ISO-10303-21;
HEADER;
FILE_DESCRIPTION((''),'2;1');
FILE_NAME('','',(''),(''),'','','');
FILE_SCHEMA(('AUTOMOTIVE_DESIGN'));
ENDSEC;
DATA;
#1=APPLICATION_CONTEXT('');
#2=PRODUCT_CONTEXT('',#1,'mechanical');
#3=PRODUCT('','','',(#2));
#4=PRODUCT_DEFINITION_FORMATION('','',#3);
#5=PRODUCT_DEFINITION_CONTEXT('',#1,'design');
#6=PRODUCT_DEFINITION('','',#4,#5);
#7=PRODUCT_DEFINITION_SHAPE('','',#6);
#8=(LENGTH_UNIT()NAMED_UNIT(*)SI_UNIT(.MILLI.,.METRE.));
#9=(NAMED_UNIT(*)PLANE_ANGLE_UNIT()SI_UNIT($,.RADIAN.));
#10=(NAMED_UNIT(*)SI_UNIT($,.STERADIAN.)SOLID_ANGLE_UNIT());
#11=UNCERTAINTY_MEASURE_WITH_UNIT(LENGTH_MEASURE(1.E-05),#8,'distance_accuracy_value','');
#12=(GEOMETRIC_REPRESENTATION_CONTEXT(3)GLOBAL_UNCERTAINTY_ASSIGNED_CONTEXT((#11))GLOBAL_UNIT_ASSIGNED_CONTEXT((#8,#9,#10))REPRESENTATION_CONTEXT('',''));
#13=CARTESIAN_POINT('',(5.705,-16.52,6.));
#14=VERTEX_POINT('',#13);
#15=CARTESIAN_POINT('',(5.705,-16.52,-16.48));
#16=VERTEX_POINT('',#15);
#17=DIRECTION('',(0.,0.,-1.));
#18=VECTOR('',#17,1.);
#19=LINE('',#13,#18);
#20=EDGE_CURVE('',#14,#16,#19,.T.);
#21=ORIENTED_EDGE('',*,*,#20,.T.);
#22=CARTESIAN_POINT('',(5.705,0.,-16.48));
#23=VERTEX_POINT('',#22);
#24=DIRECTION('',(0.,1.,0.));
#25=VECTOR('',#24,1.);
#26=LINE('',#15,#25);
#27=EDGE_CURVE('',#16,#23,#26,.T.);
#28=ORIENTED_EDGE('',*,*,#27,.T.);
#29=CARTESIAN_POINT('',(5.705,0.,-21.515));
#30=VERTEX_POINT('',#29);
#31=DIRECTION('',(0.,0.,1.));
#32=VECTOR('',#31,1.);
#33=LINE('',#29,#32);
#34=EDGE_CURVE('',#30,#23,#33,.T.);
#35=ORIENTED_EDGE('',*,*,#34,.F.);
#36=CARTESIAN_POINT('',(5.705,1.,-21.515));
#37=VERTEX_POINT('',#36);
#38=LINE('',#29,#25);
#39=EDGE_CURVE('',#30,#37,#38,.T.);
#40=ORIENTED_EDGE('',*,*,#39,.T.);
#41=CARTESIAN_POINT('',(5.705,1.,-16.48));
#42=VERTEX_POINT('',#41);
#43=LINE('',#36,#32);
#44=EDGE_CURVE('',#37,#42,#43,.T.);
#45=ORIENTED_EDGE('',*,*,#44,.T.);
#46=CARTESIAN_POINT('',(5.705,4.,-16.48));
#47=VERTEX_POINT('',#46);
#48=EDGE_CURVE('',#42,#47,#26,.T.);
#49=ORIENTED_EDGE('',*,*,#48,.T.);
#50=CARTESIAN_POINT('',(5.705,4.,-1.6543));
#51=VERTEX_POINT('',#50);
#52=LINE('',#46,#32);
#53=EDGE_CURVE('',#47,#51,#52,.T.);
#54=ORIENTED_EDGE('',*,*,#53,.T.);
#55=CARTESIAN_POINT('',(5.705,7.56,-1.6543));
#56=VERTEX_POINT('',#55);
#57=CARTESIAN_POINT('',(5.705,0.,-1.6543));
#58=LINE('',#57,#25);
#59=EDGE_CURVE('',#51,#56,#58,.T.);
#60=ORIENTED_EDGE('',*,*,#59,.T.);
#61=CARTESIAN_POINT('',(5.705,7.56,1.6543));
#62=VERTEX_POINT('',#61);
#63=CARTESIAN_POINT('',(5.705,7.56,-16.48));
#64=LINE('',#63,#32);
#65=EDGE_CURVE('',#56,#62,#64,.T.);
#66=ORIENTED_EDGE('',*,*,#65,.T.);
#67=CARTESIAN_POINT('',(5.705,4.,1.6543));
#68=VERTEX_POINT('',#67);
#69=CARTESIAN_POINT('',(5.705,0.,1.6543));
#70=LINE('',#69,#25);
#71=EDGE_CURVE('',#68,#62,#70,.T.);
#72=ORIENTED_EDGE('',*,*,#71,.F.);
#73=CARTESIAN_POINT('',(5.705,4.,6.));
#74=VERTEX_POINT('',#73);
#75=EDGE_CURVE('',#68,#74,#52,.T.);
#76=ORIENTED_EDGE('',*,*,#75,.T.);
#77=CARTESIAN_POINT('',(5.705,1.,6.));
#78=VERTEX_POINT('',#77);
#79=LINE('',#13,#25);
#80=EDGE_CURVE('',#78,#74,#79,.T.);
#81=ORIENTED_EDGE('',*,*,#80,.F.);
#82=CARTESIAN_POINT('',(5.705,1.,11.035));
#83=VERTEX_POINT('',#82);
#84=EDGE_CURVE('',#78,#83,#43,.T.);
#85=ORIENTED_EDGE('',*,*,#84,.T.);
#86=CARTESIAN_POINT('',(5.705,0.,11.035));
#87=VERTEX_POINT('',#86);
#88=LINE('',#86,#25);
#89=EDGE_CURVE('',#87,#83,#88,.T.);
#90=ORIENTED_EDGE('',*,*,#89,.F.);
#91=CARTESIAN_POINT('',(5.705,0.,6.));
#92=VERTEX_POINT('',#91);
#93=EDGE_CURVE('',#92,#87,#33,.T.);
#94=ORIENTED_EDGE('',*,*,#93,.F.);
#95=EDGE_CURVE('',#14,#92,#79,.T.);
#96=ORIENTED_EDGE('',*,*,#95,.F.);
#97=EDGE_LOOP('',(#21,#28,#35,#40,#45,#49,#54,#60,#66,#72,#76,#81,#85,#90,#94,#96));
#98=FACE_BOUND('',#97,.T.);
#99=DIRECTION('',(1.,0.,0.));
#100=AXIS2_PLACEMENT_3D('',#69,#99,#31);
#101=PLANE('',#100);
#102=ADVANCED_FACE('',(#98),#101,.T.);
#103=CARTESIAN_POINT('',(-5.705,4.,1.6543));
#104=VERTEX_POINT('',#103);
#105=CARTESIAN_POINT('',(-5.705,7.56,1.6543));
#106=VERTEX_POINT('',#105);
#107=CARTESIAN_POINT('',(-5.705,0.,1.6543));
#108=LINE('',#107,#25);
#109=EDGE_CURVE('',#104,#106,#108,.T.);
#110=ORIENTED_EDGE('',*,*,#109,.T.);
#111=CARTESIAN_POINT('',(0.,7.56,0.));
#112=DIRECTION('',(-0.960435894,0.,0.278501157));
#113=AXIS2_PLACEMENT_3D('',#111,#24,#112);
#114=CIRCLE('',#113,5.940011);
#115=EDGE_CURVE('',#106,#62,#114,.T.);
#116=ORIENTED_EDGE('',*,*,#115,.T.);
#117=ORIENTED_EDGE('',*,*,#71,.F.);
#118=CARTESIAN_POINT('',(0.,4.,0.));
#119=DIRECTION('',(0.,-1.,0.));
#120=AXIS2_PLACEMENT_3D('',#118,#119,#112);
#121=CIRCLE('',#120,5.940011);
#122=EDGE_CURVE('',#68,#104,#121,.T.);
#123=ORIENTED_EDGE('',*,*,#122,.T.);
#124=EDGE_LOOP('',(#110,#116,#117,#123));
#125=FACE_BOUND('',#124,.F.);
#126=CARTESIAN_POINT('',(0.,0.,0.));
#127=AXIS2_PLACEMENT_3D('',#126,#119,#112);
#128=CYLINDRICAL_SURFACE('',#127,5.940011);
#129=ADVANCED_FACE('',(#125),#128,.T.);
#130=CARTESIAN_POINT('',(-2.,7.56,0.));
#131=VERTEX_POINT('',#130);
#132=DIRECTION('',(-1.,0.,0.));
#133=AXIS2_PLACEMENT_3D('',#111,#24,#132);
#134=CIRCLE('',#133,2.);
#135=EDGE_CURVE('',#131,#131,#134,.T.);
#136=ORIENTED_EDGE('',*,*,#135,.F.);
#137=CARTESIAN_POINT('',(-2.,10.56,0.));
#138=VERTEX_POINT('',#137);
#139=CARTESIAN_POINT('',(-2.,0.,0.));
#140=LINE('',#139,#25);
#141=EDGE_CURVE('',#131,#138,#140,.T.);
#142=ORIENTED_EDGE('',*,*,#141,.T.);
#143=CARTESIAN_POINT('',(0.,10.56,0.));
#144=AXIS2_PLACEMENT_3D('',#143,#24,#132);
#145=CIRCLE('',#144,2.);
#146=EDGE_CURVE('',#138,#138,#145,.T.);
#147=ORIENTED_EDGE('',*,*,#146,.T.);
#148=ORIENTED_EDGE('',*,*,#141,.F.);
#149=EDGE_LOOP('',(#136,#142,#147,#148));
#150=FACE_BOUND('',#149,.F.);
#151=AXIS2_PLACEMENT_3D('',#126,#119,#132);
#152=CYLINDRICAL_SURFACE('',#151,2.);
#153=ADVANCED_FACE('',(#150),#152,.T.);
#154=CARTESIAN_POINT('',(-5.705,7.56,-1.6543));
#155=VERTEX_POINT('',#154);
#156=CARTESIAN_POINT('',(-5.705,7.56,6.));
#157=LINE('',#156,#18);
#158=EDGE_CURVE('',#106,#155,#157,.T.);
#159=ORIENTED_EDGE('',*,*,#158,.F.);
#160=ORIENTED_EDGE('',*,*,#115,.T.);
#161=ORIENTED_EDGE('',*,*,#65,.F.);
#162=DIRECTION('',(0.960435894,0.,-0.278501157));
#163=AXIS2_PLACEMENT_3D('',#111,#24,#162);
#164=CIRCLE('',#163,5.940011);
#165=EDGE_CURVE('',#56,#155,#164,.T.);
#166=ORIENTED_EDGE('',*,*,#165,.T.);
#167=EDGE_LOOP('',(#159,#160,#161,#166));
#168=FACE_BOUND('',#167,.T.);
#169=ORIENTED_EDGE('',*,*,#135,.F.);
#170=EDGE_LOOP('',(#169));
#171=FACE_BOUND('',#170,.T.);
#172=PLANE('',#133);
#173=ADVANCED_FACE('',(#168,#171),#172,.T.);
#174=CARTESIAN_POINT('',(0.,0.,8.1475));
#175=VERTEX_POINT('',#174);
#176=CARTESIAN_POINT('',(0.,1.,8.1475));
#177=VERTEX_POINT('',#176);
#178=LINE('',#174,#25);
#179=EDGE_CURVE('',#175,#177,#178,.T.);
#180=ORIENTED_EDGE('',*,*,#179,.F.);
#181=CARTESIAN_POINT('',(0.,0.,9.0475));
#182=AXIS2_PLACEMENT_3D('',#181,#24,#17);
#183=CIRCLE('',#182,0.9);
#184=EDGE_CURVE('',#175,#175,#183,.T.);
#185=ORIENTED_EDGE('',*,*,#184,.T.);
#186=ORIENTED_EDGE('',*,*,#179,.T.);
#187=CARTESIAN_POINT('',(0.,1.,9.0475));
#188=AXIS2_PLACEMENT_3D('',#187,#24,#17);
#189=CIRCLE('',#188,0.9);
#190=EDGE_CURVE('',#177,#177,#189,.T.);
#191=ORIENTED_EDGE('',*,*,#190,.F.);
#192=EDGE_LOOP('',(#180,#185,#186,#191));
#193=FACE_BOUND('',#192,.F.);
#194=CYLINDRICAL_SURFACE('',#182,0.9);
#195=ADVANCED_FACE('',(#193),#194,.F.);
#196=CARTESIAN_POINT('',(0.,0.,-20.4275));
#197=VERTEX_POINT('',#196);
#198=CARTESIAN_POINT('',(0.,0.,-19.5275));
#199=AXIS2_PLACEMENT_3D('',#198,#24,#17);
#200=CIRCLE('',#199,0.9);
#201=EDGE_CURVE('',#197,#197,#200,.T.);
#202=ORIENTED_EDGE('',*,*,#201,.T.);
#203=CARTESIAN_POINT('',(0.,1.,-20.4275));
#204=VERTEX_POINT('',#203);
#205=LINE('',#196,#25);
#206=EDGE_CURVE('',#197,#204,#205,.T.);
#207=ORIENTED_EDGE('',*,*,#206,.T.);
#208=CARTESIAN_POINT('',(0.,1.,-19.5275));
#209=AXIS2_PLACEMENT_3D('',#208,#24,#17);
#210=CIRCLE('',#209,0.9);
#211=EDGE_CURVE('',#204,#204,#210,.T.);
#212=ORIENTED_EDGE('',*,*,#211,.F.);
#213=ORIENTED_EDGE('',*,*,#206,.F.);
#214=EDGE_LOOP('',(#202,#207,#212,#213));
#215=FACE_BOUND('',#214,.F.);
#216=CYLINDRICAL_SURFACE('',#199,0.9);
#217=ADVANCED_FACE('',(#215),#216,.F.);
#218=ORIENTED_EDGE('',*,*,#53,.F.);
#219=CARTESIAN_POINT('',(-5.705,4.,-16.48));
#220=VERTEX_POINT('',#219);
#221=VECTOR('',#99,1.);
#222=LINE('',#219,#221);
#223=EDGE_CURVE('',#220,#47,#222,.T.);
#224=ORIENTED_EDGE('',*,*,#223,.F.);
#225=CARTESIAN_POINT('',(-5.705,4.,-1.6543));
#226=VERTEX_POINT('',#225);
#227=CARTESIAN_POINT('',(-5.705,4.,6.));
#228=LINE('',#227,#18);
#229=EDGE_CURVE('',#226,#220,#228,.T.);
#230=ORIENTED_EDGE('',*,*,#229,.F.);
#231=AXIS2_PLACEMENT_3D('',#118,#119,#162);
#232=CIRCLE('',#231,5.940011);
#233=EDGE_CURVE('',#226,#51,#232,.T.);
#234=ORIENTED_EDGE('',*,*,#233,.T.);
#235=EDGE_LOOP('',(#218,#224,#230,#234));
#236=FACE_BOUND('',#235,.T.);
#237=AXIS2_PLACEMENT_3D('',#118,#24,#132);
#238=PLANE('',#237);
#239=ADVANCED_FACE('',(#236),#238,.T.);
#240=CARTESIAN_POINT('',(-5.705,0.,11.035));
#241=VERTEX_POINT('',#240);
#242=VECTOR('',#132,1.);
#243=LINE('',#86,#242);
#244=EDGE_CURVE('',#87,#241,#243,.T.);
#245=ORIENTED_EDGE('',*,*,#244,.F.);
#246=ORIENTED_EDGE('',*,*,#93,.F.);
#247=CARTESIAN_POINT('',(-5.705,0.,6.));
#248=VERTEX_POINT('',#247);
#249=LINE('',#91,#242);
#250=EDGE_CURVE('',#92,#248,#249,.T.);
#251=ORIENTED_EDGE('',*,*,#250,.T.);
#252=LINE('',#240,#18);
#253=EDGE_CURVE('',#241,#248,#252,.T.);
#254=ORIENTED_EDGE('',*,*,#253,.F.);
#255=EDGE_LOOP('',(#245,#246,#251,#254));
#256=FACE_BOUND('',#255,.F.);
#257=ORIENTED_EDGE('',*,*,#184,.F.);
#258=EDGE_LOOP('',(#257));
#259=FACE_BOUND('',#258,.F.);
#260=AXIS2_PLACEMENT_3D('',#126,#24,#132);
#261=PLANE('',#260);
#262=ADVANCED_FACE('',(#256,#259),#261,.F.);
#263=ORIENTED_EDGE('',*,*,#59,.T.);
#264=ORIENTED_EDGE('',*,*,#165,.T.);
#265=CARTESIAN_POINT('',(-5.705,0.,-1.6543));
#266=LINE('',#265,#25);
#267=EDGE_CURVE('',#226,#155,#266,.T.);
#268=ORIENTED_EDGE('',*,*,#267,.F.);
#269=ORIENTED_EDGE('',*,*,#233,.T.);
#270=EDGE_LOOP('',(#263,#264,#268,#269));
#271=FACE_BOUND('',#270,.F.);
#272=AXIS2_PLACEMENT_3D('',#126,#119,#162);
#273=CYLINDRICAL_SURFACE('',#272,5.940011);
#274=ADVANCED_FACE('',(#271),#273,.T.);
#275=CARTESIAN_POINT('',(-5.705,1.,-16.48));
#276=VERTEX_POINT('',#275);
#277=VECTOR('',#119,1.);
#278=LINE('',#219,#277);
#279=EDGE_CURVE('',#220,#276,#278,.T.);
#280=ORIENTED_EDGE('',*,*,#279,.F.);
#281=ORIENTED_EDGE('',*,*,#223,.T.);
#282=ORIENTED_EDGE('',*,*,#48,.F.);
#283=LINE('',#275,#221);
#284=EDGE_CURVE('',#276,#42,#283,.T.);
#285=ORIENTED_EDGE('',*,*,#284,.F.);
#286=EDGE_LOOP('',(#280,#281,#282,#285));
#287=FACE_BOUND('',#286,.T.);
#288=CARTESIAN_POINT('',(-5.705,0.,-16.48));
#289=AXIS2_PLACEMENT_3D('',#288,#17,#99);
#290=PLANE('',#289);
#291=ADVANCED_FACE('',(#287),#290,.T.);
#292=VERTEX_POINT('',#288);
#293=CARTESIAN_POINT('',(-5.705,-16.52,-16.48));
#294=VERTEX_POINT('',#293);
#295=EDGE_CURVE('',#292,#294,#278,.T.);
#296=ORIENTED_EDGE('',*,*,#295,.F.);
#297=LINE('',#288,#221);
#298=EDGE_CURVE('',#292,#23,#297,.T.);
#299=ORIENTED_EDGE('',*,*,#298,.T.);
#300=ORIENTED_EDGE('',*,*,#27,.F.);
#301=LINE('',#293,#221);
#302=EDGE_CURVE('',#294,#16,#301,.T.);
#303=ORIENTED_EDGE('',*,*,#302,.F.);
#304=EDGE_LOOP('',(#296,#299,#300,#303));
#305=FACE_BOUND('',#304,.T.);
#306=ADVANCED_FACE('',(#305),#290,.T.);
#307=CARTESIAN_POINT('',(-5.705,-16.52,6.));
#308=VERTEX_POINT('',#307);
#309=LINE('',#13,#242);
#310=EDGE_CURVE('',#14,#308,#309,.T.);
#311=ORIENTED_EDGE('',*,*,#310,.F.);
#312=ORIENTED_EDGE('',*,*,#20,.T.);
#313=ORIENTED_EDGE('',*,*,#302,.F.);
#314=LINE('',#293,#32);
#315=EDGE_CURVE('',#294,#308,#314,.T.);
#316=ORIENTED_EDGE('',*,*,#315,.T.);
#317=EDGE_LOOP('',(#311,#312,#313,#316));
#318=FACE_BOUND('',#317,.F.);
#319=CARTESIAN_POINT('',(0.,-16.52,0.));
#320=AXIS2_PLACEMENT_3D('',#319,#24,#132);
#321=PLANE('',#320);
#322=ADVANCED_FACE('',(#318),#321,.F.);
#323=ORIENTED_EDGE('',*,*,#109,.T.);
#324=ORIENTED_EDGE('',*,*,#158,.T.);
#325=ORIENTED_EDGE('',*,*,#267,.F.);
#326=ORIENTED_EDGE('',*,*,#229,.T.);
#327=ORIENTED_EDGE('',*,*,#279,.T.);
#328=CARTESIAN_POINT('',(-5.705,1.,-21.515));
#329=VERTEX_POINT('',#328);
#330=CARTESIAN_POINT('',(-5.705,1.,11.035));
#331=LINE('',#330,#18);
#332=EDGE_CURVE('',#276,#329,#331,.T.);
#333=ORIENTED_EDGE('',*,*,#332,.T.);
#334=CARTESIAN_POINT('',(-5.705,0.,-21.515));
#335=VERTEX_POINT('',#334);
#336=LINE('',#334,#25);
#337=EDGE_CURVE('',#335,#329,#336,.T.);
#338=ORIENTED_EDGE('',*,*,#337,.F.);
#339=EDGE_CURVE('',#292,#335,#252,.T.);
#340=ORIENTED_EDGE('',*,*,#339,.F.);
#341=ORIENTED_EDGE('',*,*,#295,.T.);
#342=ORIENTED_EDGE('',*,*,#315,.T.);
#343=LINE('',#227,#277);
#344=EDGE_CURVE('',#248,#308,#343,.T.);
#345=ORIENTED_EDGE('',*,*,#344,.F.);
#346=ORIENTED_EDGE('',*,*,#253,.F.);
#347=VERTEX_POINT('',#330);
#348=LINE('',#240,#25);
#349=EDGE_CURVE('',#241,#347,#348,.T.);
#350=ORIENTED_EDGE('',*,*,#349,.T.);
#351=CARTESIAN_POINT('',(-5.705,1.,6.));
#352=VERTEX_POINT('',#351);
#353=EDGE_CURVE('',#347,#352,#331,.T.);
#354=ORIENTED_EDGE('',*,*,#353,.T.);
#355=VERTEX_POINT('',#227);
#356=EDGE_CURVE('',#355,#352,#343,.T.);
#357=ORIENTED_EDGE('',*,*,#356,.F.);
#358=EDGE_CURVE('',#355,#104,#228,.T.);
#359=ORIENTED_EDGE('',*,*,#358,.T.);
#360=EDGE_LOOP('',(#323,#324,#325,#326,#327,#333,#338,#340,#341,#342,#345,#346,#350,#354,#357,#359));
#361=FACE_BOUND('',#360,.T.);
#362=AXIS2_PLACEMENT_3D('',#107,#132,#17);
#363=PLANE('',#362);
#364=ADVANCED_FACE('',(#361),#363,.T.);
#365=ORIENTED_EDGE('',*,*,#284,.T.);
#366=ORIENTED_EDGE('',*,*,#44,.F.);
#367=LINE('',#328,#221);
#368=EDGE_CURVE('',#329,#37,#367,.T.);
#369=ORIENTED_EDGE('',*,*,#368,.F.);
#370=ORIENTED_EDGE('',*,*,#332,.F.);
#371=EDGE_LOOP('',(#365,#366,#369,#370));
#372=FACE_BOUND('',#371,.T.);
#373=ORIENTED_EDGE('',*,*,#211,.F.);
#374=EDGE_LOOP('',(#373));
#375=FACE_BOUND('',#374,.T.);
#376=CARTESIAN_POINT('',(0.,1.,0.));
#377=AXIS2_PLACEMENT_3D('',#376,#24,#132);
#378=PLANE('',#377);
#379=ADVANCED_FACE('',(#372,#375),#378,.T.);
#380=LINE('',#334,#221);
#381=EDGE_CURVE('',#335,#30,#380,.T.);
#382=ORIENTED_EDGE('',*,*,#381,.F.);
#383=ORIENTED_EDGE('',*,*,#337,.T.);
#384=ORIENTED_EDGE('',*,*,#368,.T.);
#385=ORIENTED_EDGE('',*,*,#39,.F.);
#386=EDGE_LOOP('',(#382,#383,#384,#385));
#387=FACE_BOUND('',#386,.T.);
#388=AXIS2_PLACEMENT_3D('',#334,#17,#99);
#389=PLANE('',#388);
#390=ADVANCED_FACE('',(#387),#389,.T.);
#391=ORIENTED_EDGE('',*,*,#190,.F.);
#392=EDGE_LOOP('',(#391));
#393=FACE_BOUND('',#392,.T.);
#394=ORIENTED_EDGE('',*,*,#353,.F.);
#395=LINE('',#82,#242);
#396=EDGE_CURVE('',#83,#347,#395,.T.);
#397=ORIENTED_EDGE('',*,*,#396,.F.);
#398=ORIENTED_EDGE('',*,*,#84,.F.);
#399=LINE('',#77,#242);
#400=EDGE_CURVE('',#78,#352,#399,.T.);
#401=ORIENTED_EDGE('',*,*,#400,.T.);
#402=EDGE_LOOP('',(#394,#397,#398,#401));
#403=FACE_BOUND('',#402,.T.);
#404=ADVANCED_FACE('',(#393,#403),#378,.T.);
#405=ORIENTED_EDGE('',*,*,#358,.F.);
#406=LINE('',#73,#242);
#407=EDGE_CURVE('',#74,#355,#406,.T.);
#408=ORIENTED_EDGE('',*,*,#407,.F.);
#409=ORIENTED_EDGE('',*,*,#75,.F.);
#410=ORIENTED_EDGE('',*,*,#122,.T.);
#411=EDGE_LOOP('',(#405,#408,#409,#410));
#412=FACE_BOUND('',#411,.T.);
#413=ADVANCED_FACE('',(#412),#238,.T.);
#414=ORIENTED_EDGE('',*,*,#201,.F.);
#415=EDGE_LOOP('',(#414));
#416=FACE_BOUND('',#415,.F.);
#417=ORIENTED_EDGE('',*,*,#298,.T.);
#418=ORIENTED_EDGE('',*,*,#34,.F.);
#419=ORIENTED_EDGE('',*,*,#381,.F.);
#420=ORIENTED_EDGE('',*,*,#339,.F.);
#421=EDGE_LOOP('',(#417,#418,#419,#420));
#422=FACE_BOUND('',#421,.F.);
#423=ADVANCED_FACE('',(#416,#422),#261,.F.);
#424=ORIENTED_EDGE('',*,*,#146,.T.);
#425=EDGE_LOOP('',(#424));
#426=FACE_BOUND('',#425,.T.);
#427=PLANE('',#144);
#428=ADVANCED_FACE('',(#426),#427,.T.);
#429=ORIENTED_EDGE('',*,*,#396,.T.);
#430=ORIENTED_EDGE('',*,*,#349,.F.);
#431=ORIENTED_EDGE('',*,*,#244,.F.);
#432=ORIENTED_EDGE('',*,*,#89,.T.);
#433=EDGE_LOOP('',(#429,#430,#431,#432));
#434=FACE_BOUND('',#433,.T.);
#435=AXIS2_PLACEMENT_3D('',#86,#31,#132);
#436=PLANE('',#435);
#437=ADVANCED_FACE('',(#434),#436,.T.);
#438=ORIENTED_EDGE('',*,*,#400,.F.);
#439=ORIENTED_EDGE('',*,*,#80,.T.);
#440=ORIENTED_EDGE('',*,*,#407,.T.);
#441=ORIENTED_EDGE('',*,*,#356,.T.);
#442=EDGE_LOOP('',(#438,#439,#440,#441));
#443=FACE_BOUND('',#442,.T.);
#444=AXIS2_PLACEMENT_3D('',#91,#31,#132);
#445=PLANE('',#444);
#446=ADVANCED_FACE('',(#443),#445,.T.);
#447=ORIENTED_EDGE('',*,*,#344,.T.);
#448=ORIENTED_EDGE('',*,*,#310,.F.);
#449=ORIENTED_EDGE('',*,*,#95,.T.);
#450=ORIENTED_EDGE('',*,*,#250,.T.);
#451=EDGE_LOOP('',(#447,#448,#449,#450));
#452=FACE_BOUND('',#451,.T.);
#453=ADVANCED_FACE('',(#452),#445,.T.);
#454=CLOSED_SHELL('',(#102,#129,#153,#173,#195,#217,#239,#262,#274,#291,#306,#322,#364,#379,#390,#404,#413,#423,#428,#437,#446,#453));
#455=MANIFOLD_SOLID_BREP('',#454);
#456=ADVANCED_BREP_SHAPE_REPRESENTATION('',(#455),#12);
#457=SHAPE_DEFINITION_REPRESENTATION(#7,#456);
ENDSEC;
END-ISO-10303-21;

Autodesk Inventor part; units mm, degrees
ref_plane "YZ Plane" through (0, 0, 0) normal (1, 0, 0) x (0, 1, 0)
ref_plane "XZ Plane" through (0, 0, 0) normal (0, 1, 0) x (-1, 0, 0)
ref_plane "XY Plane" through (0, 0, 0) normal (0, 0, 1) x (1, 0, 0)
sketch "Sketch1" plane through (0, 0, 0) normal (0, 1, 0) x (-1, 0, 0)
  line L0 (-5.705, 6) -> (5.705, 6)
  line L1 (5.705, 6) -> (5.705, -16.48)
  line L2 (5.705, -16.48) -> (-5.705, -16.48)
  line L3 (-5.705, -16.48) -> (-5.705, 6)
  line L4 (-5.705, 11.035) -> (5.705, 11.035)
  line L5 (5.705, 11.035) -> (5.705, -21.515)
  line L6 (5.705, -21.515) -> (-5.705, -21.515)
  line L7 (-5.705, -21.515) -> (-5.705, 11.035)
  circle A0 centre (0, 0) radius 2
  line L8 (0, 9.0475) -> (0, 11.035) construction
  line L9 (0, -19.5275) -> (0, -21.515) construction
  line L10 (-5.705, 6) -> (-5.705, 11.035) construction
  line L11 (-5.705, -16.48) -> (-5.705, -21.515) construction
  arc A1 (5.705, 1.6543) -> (-5.705, 1.6543) centre (0, 0) ccw
  arc A2 (-5.705, -1.6543) -> (5.705, -1.6543) centre (0, 0) ccw
  line L12 (5.705, 11.035) -> (-5.705, 11.035)
  line L13 (-5.705, 11.035) -> (-5.705, 6)
  line L14 (-5.705, 6) -> (5.705, 6)
  line L15 (5.705, 6) -> (5.705, 11.035)
  line L16 (5.705, -16.48) -> (-5.705, -16.48)
  line L17 (-5.705, -16.48) -> (-5.705, -21.515)
  line L18 (-5.705, -21.515) -> (5.705, -21.515)
  line L19 (5.705, -21.515) -> (5.705, -16.48)
  point P0 (0, 6)
  dimension "d0" = 11.41
  dimension "d8" = 32.55
  dimension "d10" = 4
  dimension "d28" = 22.48
  dimension "d29" = 6
  dimension "d30" = 28.575
  dimension "d31" = 5.94
extrude "Extrusion1" add sketch "Sketch1" along normal blind 4 and the other way blind 16.52 contours L0 L1 A1 L3 | A1 L1 A2 L3 | A2 L1 L2 L3 | A0
extrude "Extrusion5" add sketch "Sketch1" along normal blind 1 contours L7 L4 L5 L0 | L2 L5 L6 L7
extrude "Extrusion3" add sketch "Sketch1" along normal blind 7.56 contours A1 L1 A2 L3
extrude "Extrusion4" add sketch "Sketch1" along normal blind 10.56 contours A0
hole "Hole1" at (0, 0, 9.0475) at (0, 0, -19.5275) direction (0, 1, 0) diameter 1.8 end through all
properties part number "HS55"
